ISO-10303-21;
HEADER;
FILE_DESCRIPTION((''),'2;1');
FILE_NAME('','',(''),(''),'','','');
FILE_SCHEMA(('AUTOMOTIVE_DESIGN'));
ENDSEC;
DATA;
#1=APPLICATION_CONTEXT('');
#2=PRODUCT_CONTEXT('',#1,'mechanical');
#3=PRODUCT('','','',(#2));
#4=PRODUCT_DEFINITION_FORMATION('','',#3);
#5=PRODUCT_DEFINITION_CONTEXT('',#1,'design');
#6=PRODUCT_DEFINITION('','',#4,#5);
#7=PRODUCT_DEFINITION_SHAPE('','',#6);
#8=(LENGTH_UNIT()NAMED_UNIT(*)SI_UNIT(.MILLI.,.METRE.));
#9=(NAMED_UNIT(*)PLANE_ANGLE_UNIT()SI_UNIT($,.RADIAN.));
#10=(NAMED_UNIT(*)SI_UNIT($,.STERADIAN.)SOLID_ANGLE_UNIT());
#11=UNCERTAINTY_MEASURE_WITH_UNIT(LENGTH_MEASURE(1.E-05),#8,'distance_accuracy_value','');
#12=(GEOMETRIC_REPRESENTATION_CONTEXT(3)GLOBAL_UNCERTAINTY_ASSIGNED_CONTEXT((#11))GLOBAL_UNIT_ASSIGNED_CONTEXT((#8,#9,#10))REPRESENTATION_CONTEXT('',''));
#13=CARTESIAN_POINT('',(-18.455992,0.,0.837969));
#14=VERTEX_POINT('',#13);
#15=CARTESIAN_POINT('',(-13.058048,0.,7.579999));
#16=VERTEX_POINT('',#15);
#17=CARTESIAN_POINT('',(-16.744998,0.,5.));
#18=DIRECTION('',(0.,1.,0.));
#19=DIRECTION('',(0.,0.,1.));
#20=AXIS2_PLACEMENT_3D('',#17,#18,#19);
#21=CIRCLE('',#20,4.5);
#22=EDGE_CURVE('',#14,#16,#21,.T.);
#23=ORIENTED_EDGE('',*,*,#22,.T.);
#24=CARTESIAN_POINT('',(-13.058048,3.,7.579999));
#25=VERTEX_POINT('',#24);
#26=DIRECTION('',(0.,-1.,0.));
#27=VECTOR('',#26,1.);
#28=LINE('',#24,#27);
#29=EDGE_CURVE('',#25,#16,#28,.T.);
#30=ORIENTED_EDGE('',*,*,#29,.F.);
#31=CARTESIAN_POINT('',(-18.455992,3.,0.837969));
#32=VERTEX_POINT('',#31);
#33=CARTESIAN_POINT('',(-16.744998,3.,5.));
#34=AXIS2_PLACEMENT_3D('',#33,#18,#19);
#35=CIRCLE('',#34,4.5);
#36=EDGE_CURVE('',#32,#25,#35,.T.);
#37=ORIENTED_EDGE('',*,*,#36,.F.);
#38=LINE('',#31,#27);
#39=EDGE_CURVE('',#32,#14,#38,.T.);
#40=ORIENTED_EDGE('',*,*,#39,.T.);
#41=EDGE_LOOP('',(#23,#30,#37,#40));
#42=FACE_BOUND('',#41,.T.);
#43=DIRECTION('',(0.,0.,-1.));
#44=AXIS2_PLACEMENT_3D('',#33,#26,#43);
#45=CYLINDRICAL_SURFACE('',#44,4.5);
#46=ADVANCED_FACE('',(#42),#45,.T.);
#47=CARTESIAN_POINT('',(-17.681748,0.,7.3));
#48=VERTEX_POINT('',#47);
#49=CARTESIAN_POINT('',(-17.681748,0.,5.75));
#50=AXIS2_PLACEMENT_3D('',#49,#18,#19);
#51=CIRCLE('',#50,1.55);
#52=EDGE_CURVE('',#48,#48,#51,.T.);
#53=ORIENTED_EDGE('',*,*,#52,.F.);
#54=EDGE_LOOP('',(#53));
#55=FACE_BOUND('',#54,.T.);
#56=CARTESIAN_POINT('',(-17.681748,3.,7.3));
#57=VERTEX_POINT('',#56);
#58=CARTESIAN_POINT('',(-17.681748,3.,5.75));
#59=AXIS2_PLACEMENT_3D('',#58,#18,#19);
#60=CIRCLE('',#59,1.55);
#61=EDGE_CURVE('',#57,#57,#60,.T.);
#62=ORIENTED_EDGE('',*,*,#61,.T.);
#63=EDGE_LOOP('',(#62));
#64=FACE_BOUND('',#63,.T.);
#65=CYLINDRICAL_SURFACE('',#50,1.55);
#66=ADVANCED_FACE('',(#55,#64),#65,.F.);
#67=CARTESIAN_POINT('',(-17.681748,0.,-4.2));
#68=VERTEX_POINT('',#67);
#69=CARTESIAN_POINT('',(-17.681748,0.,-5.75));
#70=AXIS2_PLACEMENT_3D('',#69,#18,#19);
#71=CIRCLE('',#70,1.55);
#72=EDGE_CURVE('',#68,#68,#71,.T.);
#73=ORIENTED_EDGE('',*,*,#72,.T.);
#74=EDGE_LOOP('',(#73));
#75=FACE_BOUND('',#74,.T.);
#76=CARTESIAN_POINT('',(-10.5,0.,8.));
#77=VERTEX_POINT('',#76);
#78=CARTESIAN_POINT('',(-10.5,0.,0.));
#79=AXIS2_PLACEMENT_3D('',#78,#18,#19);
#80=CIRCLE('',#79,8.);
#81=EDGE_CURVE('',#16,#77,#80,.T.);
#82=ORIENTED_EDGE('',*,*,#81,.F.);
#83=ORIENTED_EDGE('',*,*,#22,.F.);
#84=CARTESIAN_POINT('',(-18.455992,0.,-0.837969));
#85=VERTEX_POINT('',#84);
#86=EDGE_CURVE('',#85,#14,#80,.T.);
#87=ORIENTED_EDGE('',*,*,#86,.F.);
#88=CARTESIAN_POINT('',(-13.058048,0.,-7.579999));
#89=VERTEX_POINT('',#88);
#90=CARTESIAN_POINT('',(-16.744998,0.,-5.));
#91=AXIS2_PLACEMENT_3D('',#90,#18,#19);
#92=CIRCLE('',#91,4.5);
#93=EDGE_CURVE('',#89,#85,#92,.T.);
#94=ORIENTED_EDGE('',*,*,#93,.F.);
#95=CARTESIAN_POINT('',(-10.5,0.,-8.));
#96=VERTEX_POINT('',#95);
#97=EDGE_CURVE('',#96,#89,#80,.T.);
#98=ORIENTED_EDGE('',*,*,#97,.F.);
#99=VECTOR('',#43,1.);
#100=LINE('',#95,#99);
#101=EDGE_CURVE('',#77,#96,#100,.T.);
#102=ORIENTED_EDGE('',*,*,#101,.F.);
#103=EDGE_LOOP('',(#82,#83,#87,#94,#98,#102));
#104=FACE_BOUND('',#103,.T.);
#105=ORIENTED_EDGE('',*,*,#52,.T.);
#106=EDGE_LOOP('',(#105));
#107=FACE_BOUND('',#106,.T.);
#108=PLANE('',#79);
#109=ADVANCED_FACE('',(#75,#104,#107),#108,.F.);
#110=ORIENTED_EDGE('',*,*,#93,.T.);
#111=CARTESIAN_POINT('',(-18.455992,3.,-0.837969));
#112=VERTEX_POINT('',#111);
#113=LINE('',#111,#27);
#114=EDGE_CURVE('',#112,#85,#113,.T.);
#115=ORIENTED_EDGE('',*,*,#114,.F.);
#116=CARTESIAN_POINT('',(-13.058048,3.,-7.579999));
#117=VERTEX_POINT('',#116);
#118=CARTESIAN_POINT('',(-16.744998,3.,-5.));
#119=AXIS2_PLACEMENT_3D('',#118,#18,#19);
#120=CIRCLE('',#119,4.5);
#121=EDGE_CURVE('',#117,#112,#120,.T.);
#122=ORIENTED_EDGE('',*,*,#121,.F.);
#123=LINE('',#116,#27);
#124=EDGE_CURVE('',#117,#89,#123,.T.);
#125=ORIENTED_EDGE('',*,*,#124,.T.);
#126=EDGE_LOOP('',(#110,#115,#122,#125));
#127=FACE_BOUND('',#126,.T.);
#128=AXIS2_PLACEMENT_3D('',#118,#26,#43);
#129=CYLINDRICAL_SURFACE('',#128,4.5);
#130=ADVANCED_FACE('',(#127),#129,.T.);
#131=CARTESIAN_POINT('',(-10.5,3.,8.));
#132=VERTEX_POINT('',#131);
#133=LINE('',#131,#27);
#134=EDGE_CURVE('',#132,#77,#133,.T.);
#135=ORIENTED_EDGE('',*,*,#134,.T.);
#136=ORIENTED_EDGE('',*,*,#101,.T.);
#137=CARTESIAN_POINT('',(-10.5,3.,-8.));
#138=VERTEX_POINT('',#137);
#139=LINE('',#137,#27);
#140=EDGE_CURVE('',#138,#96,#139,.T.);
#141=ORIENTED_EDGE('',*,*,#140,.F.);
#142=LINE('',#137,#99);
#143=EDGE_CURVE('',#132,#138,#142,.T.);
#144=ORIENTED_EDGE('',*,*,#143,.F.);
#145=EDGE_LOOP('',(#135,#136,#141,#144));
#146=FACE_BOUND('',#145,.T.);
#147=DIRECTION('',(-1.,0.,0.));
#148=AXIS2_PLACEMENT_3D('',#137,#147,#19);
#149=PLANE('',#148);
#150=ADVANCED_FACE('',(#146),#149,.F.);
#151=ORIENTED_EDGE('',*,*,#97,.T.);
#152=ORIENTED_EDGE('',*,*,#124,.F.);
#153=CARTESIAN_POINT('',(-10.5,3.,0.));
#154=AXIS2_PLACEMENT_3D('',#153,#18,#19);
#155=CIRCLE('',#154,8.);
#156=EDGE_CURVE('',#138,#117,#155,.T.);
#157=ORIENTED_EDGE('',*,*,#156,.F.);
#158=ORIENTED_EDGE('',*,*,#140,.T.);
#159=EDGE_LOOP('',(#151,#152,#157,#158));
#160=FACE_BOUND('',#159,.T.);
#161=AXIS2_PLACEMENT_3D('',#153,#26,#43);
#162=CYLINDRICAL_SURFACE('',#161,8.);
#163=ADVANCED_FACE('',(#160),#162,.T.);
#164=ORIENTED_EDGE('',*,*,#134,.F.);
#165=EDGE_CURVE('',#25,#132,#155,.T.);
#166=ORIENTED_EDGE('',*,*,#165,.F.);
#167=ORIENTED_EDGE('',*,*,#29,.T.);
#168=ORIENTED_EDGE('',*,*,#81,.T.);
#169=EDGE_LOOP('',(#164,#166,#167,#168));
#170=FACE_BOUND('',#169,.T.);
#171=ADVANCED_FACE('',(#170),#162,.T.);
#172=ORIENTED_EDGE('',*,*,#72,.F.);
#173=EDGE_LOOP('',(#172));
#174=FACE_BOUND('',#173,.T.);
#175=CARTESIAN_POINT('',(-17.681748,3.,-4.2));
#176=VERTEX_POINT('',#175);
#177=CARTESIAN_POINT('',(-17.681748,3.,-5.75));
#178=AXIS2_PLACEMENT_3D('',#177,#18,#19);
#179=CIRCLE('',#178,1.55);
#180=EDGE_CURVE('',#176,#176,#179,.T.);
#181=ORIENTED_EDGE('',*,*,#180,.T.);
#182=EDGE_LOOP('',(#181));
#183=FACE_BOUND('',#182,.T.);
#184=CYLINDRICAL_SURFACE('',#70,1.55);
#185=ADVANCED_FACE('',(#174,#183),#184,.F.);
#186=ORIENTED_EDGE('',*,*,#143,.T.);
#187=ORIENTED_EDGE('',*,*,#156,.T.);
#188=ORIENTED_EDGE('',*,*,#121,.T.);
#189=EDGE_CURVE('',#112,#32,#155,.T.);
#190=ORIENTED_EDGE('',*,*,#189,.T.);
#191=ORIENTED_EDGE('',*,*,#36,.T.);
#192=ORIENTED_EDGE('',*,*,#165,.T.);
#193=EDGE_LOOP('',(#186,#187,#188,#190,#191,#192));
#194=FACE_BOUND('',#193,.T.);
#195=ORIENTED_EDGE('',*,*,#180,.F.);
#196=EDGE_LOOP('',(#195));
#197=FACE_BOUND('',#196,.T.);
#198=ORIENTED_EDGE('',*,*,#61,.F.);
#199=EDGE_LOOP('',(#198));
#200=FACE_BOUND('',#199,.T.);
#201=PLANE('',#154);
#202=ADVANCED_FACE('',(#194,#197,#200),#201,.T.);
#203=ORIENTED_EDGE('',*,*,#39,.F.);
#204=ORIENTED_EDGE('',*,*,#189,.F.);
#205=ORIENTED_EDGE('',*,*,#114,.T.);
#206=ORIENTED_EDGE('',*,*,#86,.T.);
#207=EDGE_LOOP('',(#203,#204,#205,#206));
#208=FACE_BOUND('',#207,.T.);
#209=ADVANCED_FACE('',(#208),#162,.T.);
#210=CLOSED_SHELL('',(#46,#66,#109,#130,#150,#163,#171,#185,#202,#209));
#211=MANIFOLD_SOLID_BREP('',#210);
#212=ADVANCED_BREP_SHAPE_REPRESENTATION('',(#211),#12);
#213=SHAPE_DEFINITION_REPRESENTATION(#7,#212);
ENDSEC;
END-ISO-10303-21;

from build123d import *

# Parameters (mm, degrees)
EXTRUDE_1_DEPTH     = 3
SKETCH_2_R          = 1.55
CUT_EXTRUDE_1_DEPTH = 24.464866076


with BuildPart() as part:
    # 草图1 → 凸台-拉伸1 (new body)
    with BuildSketch(Plane(origin=(0, 0, 0), x_dir=(1, 0, 0), z_dir=(0, 1, 0))):
        with BuildLine():
            Line((-10.5, 8), (-10.5, -8))
            ThreePointArc((-10.5, -8), (-11.796148944, -7.89430161), (-13.058047675, -7.579999479))
            ThreePointArc((-13.058047675, -7.579999479), (-20.257809372, -7.8125), (-18.455991924, -0.837969271))
            ThreePointArc((-18.455991924, -0.837969271), (-18.5, 0), (-18.455991924, 0.837969271))
            ThreePointArc((-18.455991924, 0.837969271), (-20.257809372, 7.8125), (-13.058047675, 7.579999479))
            ThreePointArc((-13.058047675, 7.579999479), (-11.796148944, 7.89430161), (-10.5, 8))
        make_face()
    extrude(amount=EXTRUDE_1_DEPTH)

    # 草图2 → 切除-拉伸1 (cut, through all)
    with BuildSketch(Plane(origin=(0, 3, 0), x_dir=(1, 0, 0), z_dir=(0, 1, 0))):
        with Locations(Location((-17.681747698, 5.75, 0), (0, 0, 270))):
            Circle(SKETCH_2_R)
        with Locations(Location((-17.681747698, -5.75, 0), (0, 0, 270))):
            Circle(SKETCH_2_R)
    extrude(amount=-CUT_EXTRUDE_1_DEPTH, mode=Mode.SUBTRACT)


solid = part.part
